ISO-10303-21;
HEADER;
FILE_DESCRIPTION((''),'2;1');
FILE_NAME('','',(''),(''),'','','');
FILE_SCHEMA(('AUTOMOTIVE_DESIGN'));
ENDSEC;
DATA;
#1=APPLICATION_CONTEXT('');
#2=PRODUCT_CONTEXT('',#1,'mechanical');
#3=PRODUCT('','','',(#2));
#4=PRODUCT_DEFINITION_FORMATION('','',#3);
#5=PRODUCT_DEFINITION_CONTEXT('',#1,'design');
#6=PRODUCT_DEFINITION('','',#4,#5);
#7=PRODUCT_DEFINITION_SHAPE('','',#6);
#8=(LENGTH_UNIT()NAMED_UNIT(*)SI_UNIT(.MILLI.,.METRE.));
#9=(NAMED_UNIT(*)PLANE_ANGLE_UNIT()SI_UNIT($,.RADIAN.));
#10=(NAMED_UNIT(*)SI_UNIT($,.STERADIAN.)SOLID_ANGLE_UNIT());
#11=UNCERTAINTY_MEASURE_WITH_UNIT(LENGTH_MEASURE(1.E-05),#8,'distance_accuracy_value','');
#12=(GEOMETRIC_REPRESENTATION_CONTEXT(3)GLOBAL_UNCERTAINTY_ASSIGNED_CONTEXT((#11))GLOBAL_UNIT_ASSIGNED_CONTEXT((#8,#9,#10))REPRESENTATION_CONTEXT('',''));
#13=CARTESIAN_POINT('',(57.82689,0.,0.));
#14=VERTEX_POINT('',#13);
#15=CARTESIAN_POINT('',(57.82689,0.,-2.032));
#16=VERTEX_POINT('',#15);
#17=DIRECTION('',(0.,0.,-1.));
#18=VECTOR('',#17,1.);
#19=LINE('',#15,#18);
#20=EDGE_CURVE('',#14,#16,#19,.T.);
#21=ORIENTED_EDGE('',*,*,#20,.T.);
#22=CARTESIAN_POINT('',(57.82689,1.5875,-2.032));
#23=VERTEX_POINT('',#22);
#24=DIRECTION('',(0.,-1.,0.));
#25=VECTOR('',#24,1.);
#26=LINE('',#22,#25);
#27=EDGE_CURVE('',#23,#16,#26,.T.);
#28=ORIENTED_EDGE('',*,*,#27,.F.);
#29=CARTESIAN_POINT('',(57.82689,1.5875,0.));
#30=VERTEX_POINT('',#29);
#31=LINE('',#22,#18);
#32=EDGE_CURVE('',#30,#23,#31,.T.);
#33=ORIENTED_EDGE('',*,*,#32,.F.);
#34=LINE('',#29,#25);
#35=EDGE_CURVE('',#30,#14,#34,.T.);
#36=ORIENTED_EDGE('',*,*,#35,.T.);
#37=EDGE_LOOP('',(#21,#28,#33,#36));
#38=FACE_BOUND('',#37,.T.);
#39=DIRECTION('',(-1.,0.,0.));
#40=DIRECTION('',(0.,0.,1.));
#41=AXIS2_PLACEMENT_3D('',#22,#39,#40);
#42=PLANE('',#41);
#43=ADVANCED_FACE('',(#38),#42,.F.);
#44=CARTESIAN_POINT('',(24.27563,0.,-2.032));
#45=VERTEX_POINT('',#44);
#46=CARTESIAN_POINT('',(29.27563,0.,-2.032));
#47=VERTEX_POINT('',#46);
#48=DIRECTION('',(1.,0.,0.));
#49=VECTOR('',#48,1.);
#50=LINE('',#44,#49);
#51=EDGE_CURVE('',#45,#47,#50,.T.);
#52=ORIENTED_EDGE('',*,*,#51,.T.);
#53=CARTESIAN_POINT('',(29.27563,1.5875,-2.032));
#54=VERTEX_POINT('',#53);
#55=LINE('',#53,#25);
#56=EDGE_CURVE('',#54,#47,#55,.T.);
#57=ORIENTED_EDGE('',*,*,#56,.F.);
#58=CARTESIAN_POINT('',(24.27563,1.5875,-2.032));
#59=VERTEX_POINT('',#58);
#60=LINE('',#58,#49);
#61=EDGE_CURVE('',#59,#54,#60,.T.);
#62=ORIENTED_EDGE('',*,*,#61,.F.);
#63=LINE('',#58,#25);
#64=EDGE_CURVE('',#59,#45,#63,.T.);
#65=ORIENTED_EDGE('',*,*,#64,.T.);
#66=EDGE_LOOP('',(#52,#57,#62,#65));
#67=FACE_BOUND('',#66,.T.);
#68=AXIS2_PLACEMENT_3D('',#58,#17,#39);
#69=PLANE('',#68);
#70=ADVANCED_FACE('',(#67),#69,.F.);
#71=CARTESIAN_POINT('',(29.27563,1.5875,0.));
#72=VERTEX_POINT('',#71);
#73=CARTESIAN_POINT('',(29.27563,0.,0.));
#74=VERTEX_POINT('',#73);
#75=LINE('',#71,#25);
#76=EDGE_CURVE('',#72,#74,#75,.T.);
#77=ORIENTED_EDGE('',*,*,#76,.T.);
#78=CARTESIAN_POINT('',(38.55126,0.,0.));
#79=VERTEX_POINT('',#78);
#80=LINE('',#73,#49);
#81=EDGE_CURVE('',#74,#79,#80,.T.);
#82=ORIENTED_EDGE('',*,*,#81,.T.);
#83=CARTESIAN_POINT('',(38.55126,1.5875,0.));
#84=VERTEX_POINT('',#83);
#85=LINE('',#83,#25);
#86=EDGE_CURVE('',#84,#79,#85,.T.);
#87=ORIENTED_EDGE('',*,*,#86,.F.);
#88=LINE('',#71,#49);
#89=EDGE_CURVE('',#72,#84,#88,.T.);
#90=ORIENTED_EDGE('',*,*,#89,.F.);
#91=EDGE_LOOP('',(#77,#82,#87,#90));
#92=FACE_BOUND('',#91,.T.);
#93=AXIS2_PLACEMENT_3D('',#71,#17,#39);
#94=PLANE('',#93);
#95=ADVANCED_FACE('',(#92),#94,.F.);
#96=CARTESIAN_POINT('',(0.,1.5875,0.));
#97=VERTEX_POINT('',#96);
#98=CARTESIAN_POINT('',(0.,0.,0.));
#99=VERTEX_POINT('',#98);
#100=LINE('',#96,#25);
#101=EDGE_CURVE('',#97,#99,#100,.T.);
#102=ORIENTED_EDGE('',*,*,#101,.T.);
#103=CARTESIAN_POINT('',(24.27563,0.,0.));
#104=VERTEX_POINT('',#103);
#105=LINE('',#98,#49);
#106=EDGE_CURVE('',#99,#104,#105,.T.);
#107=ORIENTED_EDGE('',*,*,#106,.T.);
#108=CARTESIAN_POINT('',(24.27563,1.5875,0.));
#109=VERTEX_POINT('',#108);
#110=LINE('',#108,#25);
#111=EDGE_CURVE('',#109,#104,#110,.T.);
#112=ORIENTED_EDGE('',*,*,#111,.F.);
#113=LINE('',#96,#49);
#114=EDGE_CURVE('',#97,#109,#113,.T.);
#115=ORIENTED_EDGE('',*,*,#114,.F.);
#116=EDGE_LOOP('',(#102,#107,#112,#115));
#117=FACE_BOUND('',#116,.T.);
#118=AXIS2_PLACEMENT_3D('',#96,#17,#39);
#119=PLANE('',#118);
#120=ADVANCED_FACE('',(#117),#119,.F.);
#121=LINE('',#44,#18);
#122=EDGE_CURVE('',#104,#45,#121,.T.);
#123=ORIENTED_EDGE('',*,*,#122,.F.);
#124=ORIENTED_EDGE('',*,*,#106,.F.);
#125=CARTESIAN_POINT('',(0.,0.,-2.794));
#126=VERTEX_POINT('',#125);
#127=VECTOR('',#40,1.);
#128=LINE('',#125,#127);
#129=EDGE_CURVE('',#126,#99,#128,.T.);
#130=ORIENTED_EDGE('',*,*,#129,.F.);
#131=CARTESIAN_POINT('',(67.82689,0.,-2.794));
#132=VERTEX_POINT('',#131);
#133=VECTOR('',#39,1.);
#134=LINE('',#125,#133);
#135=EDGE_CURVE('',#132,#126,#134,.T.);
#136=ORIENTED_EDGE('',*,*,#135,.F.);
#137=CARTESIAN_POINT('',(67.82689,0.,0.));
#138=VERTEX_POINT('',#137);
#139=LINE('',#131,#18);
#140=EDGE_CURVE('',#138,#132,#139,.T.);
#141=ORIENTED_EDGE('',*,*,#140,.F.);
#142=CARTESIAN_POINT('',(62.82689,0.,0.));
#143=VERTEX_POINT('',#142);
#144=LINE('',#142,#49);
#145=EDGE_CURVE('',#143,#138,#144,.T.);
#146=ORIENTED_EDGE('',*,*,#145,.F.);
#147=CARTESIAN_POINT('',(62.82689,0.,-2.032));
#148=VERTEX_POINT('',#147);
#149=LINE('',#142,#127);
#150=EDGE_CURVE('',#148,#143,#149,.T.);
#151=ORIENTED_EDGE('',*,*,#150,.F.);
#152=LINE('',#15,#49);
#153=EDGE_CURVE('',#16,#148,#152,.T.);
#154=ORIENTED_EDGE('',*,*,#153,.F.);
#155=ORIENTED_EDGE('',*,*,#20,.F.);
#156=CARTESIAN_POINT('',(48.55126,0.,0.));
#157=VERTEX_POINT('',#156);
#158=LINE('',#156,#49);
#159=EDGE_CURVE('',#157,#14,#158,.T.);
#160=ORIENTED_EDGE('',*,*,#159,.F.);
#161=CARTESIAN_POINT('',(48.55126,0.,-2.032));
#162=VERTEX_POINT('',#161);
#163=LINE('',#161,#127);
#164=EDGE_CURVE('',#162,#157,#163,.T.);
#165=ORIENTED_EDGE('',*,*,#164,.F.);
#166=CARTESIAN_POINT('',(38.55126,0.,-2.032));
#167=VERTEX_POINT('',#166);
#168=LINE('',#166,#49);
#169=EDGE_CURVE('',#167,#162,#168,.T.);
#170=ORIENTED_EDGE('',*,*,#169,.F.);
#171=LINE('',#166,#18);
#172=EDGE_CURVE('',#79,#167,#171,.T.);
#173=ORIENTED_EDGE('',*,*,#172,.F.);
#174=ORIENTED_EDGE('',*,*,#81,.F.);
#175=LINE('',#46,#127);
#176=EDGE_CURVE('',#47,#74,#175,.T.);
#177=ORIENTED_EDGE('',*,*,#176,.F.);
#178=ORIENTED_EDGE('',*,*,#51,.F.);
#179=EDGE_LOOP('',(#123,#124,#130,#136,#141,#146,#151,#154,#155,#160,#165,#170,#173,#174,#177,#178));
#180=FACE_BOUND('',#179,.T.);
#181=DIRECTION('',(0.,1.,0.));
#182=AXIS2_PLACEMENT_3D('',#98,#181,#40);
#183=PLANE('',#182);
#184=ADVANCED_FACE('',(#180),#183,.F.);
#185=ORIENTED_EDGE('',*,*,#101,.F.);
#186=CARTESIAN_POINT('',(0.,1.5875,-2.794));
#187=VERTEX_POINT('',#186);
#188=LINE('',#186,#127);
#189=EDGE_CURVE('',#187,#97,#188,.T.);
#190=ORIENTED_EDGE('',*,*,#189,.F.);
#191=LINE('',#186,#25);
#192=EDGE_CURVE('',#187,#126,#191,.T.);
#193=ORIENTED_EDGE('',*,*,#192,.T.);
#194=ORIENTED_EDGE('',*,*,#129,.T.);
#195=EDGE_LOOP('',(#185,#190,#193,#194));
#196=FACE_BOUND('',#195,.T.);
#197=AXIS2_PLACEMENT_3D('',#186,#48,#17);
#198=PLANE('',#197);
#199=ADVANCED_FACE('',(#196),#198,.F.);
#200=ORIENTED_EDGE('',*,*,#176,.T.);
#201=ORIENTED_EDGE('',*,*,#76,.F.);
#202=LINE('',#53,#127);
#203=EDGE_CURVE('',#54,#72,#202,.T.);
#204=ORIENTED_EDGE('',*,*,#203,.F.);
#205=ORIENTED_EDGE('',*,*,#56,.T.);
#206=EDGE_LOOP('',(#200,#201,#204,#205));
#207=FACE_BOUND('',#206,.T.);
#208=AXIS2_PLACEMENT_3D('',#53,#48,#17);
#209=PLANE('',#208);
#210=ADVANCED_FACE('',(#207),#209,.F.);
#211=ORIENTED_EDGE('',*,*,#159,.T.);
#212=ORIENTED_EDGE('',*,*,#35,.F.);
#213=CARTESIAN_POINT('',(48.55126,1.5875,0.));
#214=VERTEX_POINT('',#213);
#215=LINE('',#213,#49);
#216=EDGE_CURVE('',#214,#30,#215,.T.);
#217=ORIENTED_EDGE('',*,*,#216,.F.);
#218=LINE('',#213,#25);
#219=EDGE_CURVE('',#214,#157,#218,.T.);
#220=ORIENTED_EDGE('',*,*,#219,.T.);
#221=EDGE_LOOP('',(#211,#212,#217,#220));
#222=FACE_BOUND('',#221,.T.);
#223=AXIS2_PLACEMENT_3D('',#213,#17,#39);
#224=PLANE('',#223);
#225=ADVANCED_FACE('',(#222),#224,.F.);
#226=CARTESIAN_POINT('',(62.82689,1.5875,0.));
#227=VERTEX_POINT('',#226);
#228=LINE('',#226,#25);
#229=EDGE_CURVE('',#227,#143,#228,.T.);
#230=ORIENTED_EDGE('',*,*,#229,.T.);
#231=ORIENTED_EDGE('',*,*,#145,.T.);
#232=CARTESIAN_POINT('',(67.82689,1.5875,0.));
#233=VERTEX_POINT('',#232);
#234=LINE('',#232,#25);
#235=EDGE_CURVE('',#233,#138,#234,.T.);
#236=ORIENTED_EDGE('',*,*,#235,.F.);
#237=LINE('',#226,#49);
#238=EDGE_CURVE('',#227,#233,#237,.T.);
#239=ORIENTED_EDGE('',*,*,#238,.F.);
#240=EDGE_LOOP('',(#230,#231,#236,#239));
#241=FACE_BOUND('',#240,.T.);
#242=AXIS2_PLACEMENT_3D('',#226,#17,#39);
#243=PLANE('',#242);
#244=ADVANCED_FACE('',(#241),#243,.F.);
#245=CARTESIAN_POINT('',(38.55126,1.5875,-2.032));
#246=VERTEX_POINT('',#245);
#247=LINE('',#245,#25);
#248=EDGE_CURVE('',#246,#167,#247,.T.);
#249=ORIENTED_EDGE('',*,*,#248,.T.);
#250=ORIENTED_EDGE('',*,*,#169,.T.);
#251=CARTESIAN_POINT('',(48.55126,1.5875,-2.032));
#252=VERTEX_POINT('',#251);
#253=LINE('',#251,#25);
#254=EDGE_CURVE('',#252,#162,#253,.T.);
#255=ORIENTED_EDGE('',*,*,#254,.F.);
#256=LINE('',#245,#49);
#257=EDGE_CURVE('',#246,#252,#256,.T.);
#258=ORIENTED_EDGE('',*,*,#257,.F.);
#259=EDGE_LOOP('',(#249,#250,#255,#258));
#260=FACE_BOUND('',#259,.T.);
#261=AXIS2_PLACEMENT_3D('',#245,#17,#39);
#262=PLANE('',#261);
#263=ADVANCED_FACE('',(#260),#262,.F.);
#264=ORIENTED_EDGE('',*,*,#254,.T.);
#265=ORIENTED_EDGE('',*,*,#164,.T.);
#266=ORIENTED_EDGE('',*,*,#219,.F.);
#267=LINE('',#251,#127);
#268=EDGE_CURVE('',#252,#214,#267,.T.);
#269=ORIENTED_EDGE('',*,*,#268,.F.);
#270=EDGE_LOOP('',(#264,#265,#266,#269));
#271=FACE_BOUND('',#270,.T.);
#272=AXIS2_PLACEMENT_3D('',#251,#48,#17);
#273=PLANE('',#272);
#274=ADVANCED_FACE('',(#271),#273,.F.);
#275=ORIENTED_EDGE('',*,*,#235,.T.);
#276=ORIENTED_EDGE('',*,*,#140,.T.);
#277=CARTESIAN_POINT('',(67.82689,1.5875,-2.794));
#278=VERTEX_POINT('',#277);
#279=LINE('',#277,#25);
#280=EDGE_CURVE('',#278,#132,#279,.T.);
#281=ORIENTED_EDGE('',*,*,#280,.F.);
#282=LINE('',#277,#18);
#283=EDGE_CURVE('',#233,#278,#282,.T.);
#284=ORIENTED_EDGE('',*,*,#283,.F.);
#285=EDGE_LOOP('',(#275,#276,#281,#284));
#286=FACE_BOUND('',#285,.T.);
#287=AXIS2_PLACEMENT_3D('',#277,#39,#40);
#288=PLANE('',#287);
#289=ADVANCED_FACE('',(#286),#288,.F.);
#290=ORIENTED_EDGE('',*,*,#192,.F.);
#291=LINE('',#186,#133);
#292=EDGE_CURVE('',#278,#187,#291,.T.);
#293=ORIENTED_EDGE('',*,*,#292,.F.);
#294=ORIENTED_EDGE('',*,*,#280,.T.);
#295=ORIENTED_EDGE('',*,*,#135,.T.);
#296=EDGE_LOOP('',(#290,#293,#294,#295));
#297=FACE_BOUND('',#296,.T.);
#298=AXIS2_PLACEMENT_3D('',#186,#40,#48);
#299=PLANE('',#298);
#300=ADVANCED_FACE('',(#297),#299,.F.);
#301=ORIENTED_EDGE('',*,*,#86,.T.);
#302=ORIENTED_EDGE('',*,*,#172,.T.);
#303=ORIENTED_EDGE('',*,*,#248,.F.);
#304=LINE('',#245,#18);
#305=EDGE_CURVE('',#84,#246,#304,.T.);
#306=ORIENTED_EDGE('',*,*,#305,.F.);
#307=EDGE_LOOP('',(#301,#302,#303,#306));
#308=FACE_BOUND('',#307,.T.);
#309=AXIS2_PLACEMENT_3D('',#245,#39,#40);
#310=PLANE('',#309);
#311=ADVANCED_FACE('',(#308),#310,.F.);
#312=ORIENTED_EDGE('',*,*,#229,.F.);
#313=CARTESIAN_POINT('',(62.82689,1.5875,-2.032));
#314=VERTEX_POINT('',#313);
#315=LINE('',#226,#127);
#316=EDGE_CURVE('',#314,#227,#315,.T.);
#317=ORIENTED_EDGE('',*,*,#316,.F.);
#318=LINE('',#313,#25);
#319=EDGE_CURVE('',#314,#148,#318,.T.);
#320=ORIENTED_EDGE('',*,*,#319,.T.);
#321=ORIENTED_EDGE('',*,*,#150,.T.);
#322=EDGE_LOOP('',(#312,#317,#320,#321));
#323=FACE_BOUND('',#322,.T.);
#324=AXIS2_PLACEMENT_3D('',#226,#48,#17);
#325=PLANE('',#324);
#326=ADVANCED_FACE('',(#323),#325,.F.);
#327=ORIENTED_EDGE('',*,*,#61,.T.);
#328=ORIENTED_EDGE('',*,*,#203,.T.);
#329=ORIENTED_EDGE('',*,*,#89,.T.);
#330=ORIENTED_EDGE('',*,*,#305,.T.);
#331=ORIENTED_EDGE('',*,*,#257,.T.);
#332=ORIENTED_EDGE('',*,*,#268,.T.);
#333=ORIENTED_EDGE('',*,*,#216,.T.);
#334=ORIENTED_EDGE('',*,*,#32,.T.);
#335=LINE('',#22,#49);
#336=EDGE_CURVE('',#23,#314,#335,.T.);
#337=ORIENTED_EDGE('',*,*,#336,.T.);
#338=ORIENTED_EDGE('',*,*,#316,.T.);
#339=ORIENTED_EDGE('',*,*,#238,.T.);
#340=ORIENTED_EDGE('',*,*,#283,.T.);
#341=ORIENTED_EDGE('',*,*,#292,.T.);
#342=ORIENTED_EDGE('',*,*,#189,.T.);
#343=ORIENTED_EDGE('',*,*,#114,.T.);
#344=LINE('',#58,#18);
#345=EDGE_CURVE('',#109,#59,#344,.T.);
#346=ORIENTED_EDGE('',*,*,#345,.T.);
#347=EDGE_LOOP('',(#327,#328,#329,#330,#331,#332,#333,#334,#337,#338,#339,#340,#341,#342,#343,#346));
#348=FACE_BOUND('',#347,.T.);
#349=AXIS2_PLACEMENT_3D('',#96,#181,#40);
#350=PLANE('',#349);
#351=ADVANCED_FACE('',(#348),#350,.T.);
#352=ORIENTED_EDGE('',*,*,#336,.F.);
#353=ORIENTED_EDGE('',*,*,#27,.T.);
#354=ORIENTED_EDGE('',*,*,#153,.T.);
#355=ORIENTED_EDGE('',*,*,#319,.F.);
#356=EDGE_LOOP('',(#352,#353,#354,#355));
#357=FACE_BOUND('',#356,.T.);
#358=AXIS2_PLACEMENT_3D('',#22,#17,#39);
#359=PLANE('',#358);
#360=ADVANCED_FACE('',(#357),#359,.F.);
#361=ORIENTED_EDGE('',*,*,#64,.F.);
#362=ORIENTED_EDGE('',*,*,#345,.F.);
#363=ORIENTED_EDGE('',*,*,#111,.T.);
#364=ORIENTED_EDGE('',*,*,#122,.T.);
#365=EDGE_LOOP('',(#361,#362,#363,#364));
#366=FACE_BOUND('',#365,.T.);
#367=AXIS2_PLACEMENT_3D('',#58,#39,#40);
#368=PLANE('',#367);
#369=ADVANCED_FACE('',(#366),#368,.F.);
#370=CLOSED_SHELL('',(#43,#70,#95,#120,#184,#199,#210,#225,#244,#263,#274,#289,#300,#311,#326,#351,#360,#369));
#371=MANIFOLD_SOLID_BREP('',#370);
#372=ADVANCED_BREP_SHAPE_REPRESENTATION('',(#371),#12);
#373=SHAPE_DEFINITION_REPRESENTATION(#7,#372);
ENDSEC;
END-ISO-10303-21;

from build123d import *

# Parameters (mm, degrees)
BOSS_EXTRUDE1_DEPTH = 1.5875


with BuildPart() as part:
    # Sketch1 → Boss-Extrude1 (new body)
    with BuildSketch(Plane(origin=(0, 0, 0), x_dir=(1, 0, 0), z_dir=(0, 1, 0))):
        Polygon((0, 0), (24.27563042, 0), (24.27563042, 2.032), (29.27563042, 2.032), (29.27563042, 0), (38.55125958, 0), (38.55125958, 2.032), (48.55125958, 2.032), (48.55125958, 0), (57.82689, 0), (57.82689, 2.032), (62.82689, 2.032), (62.82689, 0), (67.82689, 0), (67.82689, 2.794), (0, 2.794), align=None)
    extrude(amount=BOSS_EXTRUDE1_DEPTH)


solid = part.part
